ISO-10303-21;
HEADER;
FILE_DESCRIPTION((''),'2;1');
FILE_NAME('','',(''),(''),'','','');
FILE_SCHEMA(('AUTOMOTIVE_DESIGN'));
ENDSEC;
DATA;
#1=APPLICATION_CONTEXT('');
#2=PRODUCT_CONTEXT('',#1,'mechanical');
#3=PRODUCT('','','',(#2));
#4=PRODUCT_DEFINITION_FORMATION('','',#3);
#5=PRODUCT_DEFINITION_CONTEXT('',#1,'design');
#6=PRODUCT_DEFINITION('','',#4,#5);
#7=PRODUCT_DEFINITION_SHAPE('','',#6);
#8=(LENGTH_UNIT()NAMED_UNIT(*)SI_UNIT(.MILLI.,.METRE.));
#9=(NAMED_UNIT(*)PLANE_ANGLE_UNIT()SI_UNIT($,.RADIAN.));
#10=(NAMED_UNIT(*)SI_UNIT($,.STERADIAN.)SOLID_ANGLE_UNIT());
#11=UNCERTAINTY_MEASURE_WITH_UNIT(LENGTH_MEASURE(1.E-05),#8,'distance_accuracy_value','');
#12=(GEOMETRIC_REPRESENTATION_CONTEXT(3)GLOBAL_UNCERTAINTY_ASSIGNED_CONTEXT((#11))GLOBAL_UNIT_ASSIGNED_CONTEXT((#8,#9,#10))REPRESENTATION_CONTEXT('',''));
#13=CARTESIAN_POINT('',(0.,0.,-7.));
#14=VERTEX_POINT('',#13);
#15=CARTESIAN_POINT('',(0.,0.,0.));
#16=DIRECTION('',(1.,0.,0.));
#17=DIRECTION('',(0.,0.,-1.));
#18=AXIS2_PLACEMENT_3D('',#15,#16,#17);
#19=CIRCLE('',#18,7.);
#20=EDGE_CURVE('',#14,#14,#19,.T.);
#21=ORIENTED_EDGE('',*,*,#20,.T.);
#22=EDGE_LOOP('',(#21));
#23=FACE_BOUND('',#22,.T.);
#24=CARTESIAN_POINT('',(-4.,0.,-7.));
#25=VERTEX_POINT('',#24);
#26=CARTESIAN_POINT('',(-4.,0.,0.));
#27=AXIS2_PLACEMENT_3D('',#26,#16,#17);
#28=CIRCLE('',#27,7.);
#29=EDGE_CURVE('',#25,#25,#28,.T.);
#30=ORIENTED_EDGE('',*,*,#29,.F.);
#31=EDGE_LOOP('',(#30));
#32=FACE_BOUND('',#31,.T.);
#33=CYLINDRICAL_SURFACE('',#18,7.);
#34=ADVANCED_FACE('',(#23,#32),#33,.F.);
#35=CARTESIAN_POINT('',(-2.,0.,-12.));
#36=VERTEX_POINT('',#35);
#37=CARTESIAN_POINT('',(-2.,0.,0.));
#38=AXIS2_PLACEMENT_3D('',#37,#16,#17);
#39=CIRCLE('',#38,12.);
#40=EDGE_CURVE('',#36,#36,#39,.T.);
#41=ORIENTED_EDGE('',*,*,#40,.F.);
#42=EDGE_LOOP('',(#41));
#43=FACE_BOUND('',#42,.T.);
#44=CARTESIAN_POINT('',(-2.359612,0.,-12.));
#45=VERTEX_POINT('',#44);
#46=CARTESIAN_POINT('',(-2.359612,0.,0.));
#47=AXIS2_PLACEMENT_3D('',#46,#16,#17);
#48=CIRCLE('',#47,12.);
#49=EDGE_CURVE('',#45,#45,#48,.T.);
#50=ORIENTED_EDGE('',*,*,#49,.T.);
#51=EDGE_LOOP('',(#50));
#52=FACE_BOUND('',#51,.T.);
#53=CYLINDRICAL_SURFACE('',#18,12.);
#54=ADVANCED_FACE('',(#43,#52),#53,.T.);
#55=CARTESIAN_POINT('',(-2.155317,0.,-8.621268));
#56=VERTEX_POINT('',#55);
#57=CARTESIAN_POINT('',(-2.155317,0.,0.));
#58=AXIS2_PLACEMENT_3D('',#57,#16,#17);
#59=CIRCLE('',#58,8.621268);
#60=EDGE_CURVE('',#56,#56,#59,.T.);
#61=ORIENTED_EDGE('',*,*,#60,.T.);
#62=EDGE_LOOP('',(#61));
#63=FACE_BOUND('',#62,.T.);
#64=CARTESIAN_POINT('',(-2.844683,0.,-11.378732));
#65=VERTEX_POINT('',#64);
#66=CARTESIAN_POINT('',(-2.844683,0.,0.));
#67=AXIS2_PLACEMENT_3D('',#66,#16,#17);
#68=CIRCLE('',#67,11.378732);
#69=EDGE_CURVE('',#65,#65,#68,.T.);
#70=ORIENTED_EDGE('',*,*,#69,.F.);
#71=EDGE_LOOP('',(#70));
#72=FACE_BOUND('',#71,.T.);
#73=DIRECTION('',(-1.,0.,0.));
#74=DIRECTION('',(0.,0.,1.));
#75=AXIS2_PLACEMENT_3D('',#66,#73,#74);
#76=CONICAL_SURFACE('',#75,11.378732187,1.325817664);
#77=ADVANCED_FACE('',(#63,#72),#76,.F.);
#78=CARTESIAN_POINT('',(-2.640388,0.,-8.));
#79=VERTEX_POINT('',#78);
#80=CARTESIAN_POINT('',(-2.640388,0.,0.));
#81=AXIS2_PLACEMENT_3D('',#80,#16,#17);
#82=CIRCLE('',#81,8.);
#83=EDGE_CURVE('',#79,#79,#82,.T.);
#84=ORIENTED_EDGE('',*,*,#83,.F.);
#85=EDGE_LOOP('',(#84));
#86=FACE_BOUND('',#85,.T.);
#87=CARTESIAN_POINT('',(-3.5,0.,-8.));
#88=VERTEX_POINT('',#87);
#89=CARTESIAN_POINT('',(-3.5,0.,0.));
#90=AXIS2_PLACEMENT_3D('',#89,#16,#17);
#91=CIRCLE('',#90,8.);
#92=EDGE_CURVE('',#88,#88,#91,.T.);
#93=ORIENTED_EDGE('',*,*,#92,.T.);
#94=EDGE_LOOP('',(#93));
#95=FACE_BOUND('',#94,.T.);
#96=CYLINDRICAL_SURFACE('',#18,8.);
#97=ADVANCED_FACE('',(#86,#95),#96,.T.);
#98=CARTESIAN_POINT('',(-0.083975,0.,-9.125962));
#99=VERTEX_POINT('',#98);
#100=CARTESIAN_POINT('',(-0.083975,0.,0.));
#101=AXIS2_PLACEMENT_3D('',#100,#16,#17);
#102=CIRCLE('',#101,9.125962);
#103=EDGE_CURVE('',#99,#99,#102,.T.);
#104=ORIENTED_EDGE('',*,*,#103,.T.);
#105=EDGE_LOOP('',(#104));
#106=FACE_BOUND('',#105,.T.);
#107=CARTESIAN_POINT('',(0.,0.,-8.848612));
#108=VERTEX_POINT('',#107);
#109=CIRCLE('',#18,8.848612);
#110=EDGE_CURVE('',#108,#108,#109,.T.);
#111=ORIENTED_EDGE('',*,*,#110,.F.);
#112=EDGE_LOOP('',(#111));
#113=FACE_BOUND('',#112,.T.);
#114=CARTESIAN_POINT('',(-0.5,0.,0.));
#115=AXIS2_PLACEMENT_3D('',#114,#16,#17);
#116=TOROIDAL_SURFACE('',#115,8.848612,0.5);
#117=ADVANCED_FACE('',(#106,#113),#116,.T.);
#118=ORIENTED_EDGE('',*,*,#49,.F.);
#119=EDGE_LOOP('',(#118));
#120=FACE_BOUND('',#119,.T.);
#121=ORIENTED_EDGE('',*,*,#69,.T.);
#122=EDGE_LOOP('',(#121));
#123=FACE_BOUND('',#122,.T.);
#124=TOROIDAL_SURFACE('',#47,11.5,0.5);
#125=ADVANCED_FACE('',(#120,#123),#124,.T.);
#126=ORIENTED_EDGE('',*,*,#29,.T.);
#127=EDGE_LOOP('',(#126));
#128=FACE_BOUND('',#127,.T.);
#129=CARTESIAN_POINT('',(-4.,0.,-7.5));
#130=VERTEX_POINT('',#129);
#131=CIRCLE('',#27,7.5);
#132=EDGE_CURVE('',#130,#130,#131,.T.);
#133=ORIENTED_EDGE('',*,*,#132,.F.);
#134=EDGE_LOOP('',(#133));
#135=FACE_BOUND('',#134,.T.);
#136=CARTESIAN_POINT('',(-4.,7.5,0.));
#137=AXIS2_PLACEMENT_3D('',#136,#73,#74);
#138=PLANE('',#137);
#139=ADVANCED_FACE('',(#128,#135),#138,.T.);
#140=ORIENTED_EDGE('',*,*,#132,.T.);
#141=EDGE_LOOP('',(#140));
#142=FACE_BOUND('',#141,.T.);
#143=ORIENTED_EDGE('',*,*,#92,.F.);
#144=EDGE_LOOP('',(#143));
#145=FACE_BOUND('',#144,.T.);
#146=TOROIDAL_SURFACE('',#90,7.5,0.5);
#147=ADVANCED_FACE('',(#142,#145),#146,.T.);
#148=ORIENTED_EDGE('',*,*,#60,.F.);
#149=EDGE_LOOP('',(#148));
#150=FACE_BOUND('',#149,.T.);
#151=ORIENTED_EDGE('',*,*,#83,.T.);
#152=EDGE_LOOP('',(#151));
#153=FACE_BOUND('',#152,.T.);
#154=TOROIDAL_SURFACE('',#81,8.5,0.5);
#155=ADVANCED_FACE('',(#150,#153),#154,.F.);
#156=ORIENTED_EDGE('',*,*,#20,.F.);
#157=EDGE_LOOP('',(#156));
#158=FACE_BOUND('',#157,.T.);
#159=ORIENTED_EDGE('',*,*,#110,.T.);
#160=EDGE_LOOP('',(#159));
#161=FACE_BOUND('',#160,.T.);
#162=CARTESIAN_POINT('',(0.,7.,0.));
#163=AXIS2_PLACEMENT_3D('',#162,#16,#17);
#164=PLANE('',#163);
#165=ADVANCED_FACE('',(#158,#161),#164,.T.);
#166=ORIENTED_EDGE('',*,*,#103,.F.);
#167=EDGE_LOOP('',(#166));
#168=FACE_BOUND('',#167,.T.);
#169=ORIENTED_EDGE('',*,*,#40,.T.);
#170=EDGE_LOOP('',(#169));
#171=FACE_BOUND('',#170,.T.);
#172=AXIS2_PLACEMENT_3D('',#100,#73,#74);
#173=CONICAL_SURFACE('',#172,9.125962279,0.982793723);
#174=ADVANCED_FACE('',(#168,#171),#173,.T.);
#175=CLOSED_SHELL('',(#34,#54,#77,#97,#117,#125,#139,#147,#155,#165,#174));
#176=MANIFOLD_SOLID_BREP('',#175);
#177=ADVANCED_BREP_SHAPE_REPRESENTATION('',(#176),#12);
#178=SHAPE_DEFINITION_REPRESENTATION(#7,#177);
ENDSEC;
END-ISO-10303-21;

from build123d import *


with BuildPart() as part:
    # Sketch1 → Revolve1 (revolve)
    with BuildSketch(Plane.XY):
        with BuildLine():
            Line((0, 7), (0, 8.848612181))
            ThreePointArc((0, 8.848612181), (-0.021453987, 8.993504255), (-0.083974853, 9.125962279))
            Line((-0.083974853, 9.125962279), (-2, 12))
            Line((-2, 12), (-2.359611797, 12))
            ThreePointArc((-2.359611797, 12), (-2.753714516, 11.807706105), (-2.844683047, 11.378732187))
            Line((-2.844683047, 11.378732187), (-2.155316953, 8.621267813))
            ThreePointArc((-2.155316953, 8.621267813), (-2.246285484, 8.192293895), (-2.640388203, 8))
            Line((-2.640388203, 8), (-3.5, 8))
            ThreePointArc((-3.5, 8), (-3.853553391, 7.853553391), (-4, 7.5))
            Line((-4, 7.5), (-4, 7))
            Line((-4, 7), (0, 7))
        make_face()
    revolve(axis=Axis((0, 0, 0), (-1, 0, 0)))


solid = part.part
